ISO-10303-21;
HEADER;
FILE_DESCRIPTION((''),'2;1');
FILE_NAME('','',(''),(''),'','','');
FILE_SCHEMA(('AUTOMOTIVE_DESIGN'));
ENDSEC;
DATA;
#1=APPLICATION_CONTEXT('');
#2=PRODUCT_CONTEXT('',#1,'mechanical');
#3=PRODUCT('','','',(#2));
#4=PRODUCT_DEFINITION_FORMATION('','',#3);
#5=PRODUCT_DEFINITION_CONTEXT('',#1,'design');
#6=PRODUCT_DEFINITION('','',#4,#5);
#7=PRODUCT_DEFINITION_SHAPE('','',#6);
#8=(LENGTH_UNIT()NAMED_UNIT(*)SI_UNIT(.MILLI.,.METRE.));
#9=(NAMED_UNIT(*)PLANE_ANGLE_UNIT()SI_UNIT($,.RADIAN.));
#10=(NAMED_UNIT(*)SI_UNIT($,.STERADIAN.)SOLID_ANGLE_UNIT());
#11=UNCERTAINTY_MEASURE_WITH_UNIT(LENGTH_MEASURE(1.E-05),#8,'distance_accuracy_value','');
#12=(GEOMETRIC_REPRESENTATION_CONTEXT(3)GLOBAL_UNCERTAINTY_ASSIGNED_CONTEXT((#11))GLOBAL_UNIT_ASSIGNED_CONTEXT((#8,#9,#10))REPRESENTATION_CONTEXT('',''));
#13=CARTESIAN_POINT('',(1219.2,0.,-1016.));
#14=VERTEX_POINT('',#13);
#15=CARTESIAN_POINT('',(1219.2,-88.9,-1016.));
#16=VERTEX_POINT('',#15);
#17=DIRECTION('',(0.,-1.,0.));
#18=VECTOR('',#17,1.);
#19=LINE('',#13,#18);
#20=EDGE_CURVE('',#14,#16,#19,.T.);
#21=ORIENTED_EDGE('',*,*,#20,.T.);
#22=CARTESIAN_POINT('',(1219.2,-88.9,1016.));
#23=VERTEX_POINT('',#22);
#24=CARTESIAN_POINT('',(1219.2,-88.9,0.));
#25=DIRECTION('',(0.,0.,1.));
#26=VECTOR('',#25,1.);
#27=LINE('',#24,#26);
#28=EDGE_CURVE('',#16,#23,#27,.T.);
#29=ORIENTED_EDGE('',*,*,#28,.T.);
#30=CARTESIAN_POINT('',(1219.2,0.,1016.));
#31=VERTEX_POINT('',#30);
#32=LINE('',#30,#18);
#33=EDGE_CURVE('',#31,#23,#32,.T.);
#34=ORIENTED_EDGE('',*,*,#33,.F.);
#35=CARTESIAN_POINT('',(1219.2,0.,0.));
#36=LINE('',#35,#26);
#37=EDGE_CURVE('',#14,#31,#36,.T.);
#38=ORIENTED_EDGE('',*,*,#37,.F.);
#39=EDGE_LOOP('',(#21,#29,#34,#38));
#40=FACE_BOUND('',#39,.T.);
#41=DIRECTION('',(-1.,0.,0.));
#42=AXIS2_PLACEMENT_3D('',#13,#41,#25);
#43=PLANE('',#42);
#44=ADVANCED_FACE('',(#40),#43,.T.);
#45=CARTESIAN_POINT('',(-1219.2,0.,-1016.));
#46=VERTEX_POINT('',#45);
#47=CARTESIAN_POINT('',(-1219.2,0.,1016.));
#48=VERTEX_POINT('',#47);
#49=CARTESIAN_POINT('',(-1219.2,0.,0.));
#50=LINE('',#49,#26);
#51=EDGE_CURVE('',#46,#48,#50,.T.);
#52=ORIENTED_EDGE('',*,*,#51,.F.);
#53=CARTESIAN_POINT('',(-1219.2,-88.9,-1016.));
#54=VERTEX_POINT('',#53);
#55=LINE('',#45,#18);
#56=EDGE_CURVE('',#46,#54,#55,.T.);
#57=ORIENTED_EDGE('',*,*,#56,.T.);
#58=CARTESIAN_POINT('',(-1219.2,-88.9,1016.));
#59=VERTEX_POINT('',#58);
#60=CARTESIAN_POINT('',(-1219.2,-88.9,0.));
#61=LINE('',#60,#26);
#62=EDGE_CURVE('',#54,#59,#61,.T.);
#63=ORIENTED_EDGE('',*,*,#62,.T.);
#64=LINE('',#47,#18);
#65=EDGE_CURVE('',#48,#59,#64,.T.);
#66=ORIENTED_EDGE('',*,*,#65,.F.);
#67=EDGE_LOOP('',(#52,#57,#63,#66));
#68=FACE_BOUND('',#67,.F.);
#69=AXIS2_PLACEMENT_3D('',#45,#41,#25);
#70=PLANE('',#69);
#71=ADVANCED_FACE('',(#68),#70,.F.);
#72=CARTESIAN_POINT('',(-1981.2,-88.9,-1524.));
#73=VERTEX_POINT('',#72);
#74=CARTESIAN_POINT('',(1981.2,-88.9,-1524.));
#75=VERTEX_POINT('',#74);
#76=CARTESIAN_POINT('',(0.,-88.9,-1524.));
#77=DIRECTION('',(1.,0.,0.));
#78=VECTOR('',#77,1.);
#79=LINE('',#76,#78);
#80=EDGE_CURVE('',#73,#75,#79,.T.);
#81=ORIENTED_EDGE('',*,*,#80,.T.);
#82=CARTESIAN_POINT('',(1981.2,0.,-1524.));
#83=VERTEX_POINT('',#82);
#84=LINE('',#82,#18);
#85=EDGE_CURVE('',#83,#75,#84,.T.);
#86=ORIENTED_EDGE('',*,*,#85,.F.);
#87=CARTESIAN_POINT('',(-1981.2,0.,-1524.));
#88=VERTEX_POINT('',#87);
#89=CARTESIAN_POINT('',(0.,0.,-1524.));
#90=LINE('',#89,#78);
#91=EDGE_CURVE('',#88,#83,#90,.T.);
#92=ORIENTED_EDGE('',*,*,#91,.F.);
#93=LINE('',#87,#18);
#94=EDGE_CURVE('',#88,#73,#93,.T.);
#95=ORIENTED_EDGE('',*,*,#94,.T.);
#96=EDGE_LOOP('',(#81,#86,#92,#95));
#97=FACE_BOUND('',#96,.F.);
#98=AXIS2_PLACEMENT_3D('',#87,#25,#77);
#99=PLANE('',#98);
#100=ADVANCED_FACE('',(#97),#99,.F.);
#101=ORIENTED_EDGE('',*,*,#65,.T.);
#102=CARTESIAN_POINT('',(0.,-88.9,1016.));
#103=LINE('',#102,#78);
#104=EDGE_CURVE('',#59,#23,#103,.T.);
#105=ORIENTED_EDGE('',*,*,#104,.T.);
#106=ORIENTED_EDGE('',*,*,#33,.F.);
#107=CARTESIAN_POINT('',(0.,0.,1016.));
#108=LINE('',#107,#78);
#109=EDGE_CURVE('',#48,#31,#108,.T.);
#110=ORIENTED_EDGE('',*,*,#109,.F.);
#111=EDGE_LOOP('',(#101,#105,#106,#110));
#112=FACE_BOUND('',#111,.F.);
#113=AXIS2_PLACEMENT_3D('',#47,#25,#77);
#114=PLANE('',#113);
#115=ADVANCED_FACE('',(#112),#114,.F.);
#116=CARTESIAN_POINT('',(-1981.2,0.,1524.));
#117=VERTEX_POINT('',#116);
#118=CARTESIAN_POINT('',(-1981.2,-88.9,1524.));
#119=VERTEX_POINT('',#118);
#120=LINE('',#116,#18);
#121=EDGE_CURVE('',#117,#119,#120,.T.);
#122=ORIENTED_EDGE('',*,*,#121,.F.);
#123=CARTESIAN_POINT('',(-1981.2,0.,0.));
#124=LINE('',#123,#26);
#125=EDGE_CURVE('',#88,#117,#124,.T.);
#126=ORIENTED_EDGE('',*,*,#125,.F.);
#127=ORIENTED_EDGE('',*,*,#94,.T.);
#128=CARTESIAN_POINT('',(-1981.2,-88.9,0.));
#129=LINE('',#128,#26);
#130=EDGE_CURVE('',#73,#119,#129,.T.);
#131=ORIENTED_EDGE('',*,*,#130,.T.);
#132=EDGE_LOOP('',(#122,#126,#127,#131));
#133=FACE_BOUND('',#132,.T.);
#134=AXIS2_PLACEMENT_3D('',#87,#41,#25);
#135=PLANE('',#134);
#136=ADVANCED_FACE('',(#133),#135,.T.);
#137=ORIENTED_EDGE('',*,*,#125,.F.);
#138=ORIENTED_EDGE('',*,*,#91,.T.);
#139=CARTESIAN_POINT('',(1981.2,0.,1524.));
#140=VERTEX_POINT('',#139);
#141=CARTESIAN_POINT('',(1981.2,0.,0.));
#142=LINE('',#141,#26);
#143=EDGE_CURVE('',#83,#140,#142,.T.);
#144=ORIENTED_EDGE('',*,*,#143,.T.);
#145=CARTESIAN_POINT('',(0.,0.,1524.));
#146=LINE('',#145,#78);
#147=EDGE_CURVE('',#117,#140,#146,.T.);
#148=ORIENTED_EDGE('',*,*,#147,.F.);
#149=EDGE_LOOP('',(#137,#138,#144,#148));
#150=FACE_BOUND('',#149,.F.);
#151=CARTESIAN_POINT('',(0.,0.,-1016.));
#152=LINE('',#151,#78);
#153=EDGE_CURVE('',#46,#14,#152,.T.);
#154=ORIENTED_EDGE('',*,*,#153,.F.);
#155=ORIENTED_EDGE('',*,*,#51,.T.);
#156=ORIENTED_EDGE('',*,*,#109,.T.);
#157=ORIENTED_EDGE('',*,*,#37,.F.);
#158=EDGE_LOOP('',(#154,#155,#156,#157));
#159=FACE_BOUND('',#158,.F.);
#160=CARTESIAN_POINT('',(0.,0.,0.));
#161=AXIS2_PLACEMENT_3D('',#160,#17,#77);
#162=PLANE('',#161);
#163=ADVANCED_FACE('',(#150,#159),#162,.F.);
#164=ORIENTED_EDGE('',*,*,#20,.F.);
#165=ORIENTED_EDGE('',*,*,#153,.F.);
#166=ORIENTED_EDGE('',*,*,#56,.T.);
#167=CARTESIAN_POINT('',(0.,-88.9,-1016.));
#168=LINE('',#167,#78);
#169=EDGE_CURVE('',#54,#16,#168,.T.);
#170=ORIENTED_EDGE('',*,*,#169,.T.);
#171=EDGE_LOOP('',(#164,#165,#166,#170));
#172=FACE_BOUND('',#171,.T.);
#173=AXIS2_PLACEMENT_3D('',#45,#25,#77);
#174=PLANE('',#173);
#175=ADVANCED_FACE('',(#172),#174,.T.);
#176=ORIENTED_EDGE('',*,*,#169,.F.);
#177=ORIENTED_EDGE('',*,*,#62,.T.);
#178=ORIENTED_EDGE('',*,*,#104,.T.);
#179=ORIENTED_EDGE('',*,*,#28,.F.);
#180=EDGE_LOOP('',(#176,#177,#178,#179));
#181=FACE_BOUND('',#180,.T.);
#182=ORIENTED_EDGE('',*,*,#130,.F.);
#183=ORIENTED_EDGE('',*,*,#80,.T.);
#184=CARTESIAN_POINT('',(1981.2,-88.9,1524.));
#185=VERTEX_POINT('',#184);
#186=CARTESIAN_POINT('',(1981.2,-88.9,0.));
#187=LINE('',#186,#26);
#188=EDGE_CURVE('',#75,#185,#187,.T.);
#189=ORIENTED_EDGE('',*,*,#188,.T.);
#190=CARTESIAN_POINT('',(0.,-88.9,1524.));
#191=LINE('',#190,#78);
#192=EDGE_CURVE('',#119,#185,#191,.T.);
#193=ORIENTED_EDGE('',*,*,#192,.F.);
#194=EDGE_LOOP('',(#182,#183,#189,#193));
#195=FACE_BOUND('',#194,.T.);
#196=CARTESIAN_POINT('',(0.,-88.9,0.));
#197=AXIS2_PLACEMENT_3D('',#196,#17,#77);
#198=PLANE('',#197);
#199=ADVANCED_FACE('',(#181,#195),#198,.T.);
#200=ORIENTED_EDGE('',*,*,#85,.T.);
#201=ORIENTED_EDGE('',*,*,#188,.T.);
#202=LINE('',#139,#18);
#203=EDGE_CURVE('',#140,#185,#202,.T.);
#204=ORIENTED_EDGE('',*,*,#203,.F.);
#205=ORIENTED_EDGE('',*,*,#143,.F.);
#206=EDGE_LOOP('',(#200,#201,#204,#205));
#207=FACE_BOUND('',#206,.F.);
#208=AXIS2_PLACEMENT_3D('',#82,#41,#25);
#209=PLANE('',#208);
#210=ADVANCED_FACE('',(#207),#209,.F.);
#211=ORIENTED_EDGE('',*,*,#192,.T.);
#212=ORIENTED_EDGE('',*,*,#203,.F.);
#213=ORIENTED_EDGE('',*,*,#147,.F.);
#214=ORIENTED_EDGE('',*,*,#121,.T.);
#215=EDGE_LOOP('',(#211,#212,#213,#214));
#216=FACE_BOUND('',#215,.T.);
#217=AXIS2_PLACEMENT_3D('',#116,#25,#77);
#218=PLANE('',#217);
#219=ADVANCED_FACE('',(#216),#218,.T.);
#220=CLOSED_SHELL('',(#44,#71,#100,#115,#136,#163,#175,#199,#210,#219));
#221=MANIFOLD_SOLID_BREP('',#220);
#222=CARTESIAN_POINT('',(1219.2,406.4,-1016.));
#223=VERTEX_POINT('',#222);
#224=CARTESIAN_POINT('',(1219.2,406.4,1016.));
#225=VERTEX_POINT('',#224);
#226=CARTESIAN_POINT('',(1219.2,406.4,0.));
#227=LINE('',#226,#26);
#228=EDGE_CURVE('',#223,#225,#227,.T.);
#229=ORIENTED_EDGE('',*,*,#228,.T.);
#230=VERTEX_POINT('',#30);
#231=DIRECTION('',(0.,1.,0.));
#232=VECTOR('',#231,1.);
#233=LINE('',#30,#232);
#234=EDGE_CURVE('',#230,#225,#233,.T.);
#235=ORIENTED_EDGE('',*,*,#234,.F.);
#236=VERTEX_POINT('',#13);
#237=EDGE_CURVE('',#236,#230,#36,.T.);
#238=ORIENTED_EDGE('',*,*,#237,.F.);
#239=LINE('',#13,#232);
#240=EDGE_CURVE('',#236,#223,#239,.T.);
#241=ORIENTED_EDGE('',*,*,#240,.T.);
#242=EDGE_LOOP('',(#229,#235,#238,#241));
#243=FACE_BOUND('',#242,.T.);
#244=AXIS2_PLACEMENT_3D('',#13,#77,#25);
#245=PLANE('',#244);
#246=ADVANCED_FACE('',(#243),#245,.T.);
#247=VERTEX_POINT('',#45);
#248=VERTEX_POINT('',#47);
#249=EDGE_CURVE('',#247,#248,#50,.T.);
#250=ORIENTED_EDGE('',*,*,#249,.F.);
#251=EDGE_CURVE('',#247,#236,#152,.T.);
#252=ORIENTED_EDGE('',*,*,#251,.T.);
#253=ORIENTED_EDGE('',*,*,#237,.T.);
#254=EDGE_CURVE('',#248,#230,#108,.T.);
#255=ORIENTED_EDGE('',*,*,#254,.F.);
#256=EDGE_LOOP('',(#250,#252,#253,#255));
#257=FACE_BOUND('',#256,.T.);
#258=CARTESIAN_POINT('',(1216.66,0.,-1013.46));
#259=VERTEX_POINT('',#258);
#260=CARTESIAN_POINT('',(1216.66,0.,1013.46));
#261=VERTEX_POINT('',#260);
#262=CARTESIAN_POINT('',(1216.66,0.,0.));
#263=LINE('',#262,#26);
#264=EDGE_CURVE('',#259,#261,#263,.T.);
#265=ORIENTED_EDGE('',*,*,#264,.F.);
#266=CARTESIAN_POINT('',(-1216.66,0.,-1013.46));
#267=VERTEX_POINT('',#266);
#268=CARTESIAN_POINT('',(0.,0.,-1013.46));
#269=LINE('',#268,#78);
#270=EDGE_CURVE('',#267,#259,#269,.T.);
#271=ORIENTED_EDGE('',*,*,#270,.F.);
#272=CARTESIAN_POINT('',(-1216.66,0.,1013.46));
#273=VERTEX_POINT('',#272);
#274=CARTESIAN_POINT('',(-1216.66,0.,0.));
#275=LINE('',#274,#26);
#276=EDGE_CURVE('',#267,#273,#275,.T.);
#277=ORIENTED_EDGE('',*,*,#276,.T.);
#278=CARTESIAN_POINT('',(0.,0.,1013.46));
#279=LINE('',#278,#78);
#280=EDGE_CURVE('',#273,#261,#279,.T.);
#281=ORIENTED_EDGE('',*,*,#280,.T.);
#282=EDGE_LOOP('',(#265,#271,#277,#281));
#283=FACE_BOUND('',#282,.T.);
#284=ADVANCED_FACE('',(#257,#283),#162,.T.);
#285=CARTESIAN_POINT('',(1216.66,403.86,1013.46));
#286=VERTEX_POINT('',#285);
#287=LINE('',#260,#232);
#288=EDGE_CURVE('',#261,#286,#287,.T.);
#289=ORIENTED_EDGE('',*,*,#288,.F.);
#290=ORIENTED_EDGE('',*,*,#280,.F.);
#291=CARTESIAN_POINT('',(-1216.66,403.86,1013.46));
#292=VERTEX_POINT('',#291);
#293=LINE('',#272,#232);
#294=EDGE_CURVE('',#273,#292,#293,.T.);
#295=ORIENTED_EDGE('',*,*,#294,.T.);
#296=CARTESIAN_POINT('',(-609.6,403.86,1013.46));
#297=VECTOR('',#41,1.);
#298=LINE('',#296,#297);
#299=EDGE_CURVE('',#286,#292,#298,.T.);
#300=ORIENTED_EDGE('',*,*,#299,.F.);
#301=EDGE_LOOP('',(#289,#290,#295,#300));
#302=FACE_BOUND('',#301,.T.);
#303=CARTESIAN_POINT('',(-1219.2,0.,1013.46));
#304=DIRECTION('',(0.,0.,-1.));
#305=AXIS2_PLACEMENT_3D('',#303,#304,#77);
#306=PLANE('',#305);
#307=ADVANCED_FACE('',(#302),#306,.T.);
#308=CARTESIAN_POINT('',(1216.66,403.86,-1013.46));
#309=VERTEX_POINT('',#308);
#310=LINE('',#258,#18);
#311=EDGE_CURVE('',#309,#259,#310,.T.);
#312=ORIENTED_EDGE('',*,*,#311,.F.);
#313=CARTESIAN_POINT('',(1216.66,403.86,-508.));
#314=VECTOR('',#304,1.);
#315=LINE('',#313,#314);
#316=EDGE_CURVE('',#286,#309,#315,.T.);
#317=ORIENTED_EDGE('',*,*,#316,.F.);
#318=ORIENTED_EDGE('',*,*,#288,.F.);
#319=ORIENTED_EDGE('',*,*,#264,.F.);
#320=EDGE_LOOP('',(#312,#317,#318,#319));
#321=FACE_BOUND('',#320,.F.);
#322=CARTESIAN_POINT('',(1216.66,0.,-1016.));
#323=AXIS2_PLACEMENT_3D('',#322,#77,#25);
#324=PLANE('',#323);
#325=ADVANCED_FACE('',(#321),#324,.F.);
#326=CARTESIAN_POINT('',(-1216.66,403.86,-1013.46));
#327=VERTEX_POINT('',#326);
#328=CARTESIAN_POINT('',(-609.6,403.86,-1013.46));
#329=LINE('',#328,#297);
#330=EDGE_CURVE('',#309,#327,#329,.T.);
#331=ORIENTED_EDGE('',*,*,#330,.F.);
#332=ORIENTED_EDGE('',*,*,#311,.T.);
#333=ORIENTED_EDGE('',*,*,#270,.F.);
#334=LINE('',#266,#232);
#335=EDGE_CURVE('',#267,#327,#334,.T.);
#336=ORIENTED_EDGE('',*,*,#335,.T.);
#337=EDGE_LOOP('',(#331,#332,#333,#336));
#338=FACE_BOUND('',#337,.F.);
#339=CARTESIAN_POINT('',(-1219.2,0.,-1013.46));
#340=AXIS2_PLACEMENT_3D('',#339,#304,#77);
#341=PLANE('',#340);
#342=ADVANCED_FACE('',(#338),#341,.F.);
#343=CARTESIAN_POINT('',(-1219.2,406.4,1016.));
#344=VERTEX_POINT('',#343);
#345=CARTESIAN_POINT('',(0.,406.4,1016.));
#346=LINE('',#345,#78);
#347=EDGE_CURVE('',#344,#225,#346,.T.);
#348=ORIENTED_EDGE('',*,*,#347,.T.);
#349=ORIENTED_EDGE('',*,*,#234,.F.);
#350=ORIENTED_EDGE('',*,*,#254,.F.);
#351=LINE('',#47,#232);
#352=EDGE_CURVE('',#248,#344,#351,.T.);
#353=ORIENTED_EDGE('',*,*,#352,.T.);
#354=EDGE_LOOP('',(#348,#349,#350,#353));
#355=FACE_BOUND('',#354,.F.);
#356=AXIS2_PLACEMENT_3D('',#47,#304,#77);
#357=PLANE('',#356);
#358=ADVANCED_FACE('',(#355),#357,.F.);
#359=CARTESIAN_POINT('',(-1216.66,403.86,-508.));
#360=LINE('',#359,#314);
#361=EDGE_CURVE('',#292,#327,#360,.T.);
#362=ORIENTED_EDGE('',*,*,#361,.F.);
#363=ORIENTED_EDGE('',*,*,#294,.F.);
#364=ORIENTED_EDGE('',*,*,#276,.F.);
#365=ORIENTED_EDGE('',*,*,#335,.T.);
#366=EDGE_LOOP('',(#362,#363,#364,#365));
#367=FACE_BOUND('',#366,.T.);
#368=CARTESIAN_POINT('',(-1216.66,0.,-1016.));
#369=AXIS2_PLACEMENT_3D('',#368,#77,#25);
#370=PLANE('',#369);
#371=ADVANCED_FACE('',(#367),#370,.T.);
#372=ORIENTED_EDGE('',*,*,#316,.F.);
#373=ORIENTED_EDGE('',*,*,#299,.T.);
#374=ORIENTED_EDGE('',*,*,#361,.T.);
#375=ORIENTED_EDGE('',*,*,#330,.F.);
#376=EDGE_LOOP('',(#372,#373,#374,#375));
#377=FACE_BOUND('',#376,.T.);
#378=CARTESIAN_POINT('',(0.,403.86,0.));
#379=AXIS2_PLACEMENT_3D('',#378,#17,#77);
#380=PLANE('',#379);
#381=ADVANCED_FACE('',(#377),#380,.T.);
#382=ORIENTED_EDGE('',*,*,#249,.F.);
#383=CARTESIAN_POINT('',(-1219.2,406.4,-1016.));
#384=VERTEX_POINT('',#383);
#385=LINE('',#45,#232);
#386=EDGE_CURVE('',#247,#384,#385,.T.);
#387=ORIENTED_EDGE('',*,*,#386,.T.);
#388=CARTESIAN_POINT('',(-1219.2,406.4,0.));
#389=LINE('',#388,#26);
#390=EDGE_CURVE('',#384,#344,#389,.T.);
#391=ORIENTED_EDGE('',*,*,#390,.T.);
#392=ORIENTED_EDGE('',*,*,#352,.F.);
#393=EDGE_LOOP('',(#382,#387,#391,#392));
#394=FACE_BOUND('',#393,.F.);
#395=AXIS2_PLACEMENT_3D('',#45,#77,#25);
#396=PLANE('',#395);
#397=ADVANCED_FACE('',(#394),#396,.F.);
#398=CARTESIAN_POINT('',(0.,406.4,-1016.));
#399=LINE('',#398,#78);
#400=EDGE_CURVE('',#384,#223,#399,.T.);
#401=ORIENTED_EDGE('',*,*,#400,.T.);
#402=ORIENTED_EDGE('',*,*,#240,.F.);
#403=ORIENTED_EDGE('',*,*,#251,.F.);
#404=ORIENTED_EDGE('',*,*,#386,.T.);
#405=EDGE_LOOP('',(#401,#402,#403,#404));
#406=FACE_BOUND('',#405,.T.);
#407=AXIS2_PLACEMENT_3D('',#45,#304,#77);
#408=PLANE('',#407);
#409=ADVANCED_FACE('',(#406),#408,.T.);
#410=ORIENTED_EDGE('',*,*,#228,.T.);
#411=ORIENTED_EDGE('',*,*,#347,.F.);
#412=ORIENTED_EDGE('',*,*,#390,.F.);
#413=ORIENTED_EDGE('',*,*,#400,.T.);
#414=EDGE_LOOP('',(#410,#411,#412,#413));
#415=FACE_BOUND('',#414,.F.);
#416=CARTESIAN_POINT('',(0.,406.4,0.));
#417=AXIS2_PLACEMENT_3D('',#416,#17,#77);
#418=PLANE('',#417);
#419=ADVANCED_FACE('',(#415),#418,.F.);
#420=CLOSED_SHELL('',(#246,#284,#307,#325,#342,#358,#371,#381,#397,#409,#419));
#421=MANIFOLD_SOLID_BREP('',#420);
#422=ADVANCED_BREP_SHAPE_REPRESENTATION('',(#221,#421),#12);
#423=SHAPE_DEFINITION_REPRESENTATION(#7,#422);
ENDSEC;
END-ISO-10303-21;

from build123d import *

# Parameters (mm, degrees)
F0_W     = 3962.4
F0_H     = 3048
F0_W_2   = 2438.4
F0_H_2   = 2032
F1_DEPTH = 88.9
F2_DEPTH = 406.4
F3_T     = -2.54


with BuildPart() as f1:
    # F0 (on Front) → F1 (new body)
    with BuildSketch(Plane.XZ):
        Rectangle(F0_W, F0_H)
        Rectangle(F0_W_2, F0_H_2, mode=Mode.SUBTRACT)
    extrude(amount=F1_DEPTH)


with BuildPart() as f2:
    # F0 (on Front) → F2 (new body)
    with BuildSketch(Plane.XZ):
        Rectangle(F0_W_2, F0_H_2)
    extrude(amount=-F2_DEPTH)

    # F3
    f3_openings = [f2.faces().sort_by_distance(p)[0] for p in [
        (0, 0, 0),
    ]]
    offset(amount=F3_T, openings=f3_openings)


solid = Compound([f1.part, f2.part])
